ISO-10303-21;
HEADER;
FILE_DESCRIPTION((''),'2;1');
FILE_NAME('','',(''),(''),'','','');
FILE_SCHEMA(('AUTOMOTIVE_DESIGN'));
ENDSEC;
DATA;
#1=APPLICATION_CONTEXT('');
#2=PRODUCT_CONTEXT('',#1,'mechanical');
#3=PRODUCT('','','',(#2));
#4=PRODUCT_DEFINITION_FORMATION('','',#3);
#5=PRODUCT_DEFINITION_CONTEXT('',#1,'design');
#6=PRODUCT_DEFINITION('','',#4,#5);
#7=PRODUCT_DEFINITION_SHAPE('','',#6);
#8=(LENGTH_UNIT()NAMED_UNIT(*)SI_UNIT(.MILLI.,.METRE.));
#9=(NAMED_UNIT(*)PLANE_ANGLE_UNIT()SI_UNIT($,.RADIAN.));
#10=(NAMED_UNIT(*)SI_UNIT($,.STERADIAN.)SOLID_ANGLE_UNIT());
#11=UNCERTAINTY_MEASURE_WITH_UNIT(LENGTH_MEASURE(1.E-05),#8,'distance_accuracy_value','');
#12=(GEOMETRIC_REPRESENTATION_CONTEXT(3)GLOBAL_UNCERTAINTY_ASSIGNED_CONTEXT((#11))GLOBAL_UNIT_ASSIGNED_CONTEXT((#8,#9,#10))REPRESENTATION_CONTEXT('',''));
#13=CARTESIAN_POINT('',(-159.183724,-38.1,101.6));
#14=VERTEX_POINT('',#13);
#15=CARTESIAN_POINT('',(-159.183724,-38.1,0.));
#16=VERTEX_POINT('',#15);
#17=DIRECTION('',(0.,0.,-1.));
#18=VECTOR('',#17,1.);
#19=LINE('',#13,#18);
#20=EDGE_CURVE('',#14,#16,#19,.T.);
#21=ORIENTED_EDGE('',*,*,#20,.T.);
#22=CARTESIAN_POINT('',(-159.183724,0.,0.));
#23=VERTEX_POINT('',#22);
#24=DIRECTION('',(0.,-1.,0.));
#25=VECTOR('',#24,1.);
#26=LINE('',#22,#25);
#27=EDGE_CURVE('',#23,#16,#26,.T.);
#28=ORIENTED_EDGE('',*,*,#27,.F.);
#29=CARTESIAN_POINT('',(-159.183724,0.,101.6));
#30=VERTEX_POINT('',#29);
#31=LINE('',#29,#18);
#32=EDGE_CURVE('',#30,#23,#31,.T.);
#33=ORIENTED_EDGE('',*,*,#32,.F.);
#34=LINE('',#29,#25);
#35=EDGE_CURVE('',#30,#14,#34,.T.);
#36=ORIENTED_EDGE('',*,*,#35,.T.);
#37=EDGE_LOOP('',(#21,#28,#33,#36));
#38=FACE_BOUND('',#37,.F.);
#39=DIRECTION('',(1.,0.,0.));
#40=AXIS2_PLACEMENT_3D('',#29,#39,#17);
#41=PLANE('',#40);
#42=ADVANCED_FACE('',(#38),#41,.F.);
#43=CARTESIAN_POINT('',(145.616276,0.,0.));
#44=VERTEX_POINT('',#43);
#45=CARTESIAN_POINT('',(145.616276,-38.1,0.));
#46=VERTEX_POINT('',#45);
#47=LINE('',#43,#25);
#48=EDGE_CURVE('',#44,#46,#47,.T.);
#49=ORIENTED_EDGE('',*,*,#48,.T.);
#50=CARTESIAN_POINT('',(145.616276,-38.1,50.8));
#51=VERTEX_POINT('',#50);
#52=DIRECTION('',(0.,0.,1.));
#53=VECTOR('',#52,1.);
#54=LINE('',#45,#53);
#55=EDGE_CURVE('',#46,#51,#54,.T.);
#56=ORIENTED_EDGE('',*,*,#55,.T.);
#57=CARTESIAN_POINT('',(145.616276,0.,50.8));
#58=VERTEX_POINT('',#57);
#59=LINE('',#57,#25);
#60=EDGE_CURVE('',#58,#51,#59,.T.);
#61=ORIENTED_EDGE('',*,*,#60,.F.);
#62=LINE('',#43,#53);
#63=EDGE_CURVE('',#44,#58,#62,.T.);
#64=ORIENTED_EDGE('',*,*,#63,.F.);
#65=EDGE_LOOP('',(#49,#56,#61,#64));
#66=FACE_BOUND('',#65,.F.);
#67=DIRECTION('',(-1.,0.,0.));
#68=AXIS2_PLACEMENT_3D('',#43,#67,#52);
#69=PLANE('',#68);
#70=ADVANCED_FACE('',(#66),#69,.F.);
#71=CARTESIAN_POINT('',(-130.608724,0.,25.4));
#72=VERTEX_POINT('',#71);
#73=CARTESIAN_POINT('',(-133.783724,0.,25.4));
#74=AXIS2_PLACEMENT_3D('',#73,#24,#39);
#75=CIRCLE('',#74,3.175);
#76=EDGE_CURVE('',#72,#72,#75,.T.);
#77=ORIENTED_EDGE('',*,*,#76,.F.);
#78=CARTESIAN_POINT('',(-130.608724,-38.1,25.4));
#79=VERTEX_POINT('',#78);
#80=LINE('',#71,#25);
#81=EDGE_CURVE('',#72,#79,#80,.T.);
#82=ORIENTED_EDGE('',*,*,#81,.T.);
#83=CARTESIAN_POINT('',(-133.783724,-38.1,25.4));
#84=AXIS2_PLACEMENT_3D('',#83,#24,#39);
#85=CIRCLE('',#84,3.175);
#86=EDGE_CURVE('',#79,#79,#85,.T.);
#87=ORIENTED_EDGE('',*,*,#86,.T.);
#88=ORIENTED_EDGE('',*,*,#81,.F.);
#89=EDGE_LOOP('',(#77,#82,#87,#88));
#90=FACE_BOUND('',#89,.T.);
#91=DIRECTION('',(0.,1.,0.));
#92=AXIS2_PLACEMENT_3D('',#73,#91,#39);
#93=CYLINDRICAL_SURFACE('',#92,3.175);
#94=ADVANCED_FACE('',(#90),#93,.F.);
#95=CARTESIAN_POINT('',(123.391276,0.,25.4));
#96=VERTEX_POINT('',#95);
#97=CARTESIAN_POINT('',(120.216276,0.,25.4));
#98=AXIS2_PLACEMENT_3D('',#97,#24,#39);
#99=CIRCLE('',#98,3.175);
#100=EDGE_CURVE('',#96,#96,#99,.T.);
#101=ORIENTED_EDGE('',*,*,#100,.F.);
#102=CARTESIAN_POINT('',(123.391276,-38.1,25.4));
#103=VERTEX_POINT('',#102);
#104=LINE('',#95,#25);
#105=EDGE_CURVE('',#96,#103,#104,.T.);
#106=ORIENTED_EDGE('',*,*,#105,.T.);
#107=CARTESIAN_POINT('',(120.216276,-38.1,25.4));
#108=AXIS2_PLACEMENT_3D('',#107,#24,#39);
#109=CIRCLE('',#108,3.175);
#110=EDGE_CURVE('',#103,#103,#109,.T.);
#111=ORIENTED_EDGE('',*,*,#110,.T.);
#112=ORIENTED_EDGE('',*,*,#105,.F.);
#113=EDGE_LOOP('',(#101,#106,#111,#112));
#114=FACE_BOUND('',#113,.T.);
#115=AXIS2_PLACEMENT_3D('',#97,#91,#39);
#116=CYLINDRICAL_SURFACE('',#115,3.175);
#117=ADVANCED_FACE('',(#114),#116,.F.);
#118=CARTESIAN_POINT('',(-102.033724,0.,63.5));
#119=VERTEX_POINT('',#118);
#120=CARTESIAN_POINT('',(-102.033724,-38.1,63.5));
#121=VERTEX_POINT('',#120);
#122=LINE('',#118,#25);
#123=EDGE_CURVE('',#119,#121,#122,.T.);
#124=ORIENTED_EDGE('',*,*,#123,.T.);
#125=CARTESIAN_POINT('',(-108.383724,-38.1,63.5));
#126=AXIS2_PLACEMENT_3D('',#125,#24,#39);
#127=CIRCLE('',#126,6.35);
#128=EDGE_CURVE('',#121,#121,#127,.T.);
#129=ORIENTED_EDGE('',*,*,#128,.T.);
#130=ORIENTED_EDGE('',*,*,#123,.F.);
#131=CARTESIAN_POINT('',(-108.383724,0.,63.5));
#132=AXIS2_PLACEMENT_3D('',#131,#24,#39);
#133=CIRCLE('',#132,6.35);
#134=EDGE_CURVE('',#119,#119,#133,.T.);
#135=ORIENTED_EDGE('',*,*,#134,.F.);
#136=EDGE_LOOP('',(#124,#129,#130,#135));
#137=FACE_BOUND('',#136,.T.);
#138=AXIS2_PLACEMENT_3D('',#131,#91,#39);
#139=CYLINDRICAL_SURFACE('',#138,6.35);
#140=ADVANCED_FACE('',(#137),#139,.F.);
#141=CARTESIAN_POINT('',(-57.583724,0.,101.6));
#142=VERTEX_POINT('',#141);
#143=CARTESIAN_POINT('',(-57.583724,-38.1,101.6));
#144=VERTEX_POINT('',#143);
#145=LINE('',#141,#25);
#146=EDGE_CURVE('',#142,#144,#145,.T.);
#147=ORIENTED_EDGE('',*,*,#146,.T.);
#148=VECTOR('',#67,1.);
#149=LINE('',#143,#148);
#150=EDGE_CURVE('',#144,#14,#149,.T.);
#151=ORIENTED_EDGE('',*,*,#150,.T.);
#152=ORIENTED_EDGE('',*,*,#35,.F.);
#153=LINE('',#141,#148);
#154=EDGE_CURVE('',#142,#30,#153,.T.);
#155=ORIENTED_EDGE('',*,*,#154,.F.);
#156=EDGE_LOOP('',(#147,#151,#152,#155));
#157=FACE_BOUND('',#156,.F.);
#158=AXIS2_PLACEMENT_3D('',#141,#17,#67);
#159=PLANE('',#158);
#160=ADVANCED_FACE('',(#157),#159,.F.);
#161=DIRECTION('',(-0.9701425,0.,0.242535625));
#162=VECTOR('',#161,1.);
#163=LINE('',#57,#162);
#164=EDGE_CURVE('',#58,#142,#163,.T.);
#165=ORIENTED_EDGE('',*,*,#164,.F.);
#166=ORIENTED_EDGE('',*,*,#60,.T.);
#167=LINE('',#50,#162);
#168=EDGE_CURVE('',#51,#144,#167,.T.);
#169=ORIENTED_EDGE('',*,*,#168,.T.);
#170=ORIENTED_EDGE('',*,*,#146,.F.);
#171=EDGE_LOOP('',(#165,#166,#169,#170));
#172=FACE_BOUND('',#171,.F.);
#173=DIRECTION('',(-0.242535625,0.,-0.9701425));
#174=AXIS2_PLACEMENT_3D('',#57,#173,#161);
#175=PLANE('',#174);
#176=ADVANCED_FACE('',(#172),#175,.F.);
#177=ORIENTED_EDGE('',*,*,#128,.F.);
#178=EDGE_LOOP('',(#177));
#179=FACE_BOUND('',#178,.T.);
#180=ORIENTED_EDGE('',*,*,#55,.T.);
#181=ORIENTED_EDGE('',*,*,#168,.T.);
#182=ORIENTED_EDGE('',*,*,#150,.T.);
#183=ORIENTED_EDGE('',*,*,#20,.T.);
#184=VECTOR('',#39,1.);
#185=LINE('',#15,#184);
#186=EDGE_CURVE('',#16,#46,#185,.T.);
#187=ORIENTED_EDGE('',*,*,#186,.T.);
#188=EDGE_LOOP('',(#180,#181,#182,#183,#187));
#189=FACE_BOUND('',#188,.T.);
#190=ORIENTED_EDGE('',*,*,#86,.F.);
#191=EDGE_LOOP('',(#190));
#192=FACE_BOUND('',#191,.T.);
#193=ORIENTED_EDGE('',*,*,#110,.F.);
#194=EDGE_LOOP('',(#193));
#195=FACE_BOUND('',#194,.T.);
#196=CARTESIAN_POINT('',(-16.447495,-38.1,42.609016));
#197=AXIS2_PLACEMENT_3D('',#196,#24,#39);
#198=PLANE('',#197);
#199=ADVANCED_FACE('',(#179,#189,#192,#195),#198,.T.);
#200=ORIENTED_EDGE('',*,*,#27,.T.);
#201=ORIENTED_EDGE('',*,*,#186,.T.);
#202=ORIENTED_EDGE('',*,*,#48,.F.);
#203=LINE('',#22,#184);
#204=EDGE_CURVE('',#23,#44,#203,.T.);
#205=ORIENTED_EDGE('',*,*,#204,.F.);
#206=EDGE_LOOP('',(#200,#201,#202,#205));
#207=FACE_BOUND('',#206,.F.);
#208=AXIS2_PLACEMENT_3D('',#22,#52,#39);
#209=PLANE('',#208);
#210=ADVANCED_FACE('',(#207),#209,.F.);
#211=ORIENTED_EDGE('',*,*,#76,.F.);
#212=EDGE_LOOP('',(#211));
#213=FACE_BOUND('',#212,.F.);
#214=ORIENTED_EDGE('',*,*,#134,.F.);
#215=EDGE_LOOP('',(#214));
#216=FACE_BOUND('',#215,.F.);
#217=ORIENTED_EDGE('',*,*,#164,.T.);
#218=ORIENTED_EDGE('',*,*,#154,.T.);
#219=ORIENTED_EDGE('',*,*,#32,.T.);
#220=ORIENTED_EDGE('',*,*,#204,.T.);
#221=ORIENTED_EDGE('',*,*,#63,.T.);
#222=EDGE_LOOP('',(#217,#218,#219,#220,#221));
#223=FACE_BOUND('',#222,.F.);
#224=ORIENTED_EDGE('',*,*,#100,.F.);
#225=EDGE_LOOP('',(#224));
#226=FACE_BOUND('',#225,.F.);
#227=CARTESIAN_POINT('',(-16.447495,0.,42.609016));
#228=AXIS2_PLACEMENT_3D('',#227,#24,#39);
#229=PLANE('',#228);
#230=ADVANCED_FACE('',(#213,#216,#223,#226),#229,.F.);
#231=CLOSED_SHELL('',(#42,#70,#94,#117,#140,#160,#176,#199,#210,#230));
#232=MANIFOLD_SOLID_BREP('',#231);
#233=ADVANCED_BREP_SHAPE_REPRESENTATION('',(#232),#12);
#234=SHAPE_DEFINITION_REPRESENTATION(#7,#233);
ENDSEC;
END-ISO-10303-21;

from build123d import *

# Parameters (mm, degrees)
F0_R     = 3.175
F0_R_2   = 6.35
F1_DEPTH = 38.1


with BuildPart() as f1:
    # F0 (on Front) → F1 (new body)
    with BuildSketch(Plane.XZ):
        Polygon((-57.583724, 101.6), (-159.183724, 101.6), (-159.183724, 0), (145.616276, 0), (145.616276, 50.8), align=None)
        with Locations((-133.783724, 25.4)):
            Circle(F0_R, mode=Mode.SUBTRACT)
        with Locations((120.216276, 25.4)):
            Circle(F0_R, mode=Mode.SUBTRACT)
        with Locations((-108.383724, 63.5)):
            Circle(F0_R_2, mode=Mode.SUBTRACT)
    extrude(amount=F1_DEPTH)


solid = f1.part
